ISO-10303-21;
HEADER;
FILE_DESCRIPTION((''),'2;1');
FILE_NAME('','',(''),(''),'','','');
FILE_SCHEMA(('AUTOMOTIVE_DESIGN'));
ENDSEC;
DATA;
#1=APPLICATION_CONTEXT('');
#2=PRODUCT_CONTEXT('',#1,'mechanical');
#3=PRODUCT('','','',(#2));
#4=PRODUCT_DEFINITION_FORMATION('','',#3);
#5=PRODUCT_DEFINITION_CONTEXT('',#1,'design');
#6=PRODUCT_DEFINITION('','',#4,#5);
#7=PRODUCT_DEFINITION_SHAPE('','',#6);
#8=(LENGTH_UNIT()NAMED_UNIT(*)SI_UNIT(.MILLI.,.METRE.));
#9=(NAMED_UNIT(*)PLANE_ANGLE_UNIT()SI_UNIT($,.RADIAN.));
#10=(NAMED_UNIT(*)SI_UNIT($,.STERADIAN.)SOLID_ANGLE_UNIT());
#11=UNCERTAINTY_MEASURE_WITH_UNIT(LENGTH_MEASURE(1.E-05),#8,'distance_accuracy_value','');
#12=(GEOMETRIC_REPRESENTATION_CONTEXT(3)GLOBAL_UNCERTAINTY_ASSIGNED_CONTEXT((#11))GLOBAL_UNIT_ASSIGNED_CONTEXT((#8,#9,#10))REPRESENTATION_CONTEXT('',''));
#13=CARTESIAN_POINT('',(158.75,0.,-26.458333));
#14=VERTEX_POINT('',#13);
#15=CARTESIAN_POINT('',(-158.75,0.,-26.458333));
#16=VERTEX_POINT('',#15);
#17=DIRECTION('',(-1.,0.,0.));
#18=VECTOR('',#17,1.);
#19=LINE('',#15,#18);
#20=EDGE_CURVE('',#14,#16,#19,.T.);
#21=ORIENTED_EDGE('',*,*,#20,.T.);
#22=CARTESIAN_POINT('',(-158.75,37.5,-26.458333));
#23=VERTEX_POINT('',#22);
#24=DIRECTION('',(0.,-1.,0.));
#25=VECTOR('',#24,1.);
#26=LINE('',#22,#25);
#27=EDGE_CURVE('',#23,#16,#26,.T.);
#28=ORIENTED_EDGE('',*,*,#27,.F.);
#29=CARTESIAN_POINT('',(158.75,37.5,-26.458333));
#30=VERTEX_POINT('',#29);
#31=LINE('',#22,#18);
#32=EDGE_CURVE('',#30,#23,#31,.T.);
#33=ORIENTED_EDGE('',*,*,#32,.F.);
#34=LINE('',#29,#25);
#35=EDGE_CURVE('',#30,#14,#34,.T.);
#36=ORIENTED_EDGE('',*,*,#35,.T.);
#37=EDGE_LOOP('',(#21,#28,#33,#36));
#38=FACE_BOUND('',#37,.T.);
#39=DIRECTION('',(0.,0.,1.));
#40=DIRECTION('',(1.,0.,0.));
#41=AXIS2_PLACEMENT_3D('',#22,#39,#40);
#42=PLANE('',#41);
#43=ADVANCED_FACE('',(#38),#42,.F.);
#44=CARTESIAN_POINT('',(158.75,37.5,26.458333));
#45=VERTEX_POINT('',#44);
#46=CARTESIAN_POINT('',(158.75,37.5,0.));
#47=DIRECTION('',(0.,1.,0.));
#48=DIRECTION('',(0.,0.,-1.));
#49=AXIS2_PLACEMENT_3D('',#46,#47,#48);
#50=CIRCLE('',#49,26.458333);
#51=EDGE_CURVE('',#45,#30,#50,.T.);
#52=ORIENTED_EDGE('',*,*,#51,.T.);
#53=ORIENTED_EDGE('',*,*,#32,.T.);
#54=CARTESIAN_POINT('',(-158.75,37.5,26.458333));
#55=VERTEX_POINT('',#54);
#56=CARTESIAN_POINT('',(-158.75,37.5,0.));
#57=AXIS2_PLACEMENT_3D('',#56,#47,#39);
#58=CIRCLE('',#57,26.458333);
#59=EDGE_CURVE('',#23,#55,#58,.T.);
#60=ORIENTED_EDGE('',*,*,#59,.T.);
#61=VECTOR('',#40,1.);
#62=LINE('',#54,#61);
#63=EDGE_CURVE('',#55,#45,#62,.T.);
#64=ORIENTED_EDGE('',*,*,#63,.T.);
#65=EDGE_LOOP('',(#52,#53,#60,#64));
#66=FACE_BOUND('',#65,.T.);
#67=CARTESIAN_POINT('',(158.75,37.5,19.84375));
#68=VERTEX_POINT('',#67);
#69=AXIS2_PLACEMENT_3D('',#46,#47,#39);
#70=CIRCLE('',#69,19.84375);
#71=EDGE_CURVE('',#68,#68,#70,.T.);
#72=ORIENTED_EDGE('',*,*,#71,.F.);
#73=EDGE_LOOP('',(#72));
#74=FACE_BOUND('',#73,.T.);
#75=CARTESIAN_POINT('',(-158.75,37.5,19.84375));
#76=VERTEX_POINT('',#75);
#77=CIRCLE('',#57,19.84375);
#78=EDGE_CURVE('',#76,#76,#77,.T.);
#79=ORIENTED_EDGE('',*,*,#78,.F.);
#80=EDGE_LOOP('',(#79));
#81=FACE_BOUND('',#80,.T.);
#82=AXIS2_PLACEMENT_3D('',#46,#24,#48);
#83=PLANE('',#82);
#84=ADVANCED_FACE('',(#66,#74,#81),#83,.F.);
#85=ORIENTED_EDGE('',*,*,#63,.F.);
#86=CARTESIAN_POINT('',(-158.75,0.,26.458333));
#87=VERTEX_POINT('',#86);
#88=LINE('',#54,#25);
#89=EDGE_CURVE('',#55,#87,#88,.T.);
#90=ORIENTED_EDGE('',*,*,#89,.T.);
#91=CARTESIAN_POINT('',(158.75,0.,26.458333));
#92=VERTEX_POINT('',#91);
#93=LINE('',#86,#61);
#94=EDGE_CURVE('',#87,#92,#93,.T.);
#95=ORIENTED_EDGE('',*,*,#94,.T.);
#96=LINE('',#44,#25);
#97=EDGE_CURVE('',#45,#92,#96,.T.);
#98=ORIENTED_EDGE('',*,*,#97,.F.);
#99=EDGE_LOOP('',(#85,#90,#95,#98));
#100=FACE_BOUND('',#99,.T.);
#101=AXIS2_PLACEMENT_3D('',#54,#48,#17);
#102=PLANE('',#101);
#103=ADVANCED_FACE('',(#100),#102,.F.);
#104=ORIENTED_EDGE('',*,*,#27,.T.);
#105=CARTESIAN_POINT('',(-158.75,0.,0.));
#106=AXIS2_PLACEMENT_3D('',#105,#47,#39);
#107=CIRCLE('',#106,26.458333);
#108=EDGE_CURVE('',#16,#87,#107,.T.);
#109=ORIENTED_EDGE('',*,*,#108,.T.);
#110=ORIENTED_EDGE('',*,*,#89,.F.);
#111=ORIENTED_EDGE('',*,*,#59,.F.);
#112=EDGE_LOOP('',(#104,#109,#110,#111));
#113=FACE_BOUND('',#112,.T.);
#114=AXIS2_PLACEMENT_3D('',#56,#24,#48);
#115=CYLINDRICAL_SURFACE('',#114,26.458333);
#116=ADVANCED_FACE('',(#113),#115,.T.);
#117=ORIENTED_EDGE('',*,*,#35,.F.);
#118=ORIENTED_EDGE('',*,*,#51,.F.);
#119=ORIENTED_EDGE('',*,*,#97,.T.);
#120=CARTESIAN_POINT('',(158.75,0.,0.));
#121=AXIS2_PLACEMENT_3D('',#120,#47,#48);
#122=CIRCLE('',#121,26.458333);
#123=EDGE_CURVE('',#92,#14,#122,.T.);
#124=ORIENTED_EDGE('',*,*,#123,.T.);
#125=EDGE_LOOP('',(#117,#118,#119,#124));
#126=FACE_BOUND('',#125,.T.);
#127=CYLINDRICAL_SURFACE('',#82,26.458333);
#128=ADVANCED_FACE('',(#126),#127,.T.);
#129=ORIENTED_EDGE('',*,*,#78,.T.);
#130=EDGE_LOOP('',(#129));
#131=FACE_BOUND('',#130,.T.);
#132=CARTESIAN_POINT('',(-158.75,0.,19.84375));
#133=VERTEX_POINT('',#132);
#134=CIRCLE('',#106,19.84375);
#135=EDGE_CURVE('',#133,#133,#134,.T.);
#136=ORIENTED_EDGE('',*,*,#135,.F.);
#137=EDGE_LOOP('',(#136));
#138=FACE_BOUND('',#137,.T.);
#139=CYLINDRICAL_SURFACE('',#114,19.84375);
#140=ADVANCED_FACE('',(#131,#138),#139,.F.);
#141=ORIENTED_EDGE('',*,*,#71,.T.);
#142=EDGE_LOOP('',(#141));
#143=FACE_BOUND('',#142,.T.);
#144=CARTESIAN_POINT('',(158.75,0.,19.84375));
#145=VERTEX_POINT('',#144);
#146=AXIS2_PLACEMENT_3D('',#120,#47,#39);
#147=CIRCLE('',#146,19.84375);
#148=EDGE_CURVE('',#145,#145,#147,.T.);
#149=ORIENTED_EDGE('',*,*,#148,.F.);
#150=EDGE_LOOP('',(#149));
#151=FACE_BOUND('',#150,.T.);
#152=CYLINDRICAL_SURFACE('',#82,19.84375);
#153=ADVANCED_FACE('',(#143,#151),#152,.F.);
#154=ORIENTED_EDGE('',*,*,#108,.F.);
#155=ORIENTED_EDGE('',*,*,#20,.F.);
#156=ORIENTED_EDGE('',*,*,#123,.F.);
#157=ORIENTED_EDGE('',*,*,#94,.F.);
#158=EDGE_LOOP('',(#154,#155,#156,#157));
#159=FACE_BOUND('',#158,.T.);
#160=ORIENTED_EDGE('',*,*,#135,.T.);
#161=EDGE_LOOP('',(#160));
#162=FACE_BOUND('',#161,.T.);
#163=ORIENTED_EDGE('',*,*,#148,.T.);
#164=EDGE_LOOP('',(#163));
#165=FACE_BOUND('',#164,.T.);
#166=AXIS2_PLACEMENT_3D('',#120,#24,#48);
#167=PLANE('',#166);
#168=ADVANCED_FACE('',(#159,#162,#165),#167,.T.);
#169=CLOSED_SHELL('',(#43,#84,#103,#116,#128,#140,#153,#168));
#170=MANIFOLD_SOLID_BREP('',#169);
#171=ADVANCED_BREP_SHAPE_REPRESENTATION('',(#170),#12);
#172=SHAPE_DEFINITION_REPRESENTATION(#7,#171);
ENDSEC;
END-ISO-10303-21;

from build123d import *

# Parameters (mm, degrees)
SKETCH1_R           = 19.84375
BOSS_EXTRUDE1_DEPTH = 37.5


with BuildPart() as part:
    # Sketch1 → Boss-Extrude1 (new body)
    with BuildSketch(Plane(origin=(0, 0, 0), x_dir=(1, 0, 0), z_dir=(0, 1, 0))):
        with BuildLine():
            Line((-158.75, -26.458333333), (158.75, -26.458333333))
            ThreePointArc((158.75, -26.458333333), (185.208333333, 0), (158.75, 26.458333333))
            Line((158.75, 26.458333333), (-158.75, 26.458333333))
            ThreePointArc((-158.75, 26.458333333), (-185.208333333, 0), (-158.75, -26.458333333))
        make_face()
        with Locations(Location((-158.75, 0, 0), (0, 0, 270))):
            Circle(SKETCH1_R, mode=Mode.SUBTRACT)
        with Locations(Location((158.75, 0, 0), (0, 0, 270))):
            Circle(SKETCH1_R, mode=Mode.SUBTRACT)
    extrude(amount=BOSS_EXTRUDE1_DEPTH)


solid = part.part
